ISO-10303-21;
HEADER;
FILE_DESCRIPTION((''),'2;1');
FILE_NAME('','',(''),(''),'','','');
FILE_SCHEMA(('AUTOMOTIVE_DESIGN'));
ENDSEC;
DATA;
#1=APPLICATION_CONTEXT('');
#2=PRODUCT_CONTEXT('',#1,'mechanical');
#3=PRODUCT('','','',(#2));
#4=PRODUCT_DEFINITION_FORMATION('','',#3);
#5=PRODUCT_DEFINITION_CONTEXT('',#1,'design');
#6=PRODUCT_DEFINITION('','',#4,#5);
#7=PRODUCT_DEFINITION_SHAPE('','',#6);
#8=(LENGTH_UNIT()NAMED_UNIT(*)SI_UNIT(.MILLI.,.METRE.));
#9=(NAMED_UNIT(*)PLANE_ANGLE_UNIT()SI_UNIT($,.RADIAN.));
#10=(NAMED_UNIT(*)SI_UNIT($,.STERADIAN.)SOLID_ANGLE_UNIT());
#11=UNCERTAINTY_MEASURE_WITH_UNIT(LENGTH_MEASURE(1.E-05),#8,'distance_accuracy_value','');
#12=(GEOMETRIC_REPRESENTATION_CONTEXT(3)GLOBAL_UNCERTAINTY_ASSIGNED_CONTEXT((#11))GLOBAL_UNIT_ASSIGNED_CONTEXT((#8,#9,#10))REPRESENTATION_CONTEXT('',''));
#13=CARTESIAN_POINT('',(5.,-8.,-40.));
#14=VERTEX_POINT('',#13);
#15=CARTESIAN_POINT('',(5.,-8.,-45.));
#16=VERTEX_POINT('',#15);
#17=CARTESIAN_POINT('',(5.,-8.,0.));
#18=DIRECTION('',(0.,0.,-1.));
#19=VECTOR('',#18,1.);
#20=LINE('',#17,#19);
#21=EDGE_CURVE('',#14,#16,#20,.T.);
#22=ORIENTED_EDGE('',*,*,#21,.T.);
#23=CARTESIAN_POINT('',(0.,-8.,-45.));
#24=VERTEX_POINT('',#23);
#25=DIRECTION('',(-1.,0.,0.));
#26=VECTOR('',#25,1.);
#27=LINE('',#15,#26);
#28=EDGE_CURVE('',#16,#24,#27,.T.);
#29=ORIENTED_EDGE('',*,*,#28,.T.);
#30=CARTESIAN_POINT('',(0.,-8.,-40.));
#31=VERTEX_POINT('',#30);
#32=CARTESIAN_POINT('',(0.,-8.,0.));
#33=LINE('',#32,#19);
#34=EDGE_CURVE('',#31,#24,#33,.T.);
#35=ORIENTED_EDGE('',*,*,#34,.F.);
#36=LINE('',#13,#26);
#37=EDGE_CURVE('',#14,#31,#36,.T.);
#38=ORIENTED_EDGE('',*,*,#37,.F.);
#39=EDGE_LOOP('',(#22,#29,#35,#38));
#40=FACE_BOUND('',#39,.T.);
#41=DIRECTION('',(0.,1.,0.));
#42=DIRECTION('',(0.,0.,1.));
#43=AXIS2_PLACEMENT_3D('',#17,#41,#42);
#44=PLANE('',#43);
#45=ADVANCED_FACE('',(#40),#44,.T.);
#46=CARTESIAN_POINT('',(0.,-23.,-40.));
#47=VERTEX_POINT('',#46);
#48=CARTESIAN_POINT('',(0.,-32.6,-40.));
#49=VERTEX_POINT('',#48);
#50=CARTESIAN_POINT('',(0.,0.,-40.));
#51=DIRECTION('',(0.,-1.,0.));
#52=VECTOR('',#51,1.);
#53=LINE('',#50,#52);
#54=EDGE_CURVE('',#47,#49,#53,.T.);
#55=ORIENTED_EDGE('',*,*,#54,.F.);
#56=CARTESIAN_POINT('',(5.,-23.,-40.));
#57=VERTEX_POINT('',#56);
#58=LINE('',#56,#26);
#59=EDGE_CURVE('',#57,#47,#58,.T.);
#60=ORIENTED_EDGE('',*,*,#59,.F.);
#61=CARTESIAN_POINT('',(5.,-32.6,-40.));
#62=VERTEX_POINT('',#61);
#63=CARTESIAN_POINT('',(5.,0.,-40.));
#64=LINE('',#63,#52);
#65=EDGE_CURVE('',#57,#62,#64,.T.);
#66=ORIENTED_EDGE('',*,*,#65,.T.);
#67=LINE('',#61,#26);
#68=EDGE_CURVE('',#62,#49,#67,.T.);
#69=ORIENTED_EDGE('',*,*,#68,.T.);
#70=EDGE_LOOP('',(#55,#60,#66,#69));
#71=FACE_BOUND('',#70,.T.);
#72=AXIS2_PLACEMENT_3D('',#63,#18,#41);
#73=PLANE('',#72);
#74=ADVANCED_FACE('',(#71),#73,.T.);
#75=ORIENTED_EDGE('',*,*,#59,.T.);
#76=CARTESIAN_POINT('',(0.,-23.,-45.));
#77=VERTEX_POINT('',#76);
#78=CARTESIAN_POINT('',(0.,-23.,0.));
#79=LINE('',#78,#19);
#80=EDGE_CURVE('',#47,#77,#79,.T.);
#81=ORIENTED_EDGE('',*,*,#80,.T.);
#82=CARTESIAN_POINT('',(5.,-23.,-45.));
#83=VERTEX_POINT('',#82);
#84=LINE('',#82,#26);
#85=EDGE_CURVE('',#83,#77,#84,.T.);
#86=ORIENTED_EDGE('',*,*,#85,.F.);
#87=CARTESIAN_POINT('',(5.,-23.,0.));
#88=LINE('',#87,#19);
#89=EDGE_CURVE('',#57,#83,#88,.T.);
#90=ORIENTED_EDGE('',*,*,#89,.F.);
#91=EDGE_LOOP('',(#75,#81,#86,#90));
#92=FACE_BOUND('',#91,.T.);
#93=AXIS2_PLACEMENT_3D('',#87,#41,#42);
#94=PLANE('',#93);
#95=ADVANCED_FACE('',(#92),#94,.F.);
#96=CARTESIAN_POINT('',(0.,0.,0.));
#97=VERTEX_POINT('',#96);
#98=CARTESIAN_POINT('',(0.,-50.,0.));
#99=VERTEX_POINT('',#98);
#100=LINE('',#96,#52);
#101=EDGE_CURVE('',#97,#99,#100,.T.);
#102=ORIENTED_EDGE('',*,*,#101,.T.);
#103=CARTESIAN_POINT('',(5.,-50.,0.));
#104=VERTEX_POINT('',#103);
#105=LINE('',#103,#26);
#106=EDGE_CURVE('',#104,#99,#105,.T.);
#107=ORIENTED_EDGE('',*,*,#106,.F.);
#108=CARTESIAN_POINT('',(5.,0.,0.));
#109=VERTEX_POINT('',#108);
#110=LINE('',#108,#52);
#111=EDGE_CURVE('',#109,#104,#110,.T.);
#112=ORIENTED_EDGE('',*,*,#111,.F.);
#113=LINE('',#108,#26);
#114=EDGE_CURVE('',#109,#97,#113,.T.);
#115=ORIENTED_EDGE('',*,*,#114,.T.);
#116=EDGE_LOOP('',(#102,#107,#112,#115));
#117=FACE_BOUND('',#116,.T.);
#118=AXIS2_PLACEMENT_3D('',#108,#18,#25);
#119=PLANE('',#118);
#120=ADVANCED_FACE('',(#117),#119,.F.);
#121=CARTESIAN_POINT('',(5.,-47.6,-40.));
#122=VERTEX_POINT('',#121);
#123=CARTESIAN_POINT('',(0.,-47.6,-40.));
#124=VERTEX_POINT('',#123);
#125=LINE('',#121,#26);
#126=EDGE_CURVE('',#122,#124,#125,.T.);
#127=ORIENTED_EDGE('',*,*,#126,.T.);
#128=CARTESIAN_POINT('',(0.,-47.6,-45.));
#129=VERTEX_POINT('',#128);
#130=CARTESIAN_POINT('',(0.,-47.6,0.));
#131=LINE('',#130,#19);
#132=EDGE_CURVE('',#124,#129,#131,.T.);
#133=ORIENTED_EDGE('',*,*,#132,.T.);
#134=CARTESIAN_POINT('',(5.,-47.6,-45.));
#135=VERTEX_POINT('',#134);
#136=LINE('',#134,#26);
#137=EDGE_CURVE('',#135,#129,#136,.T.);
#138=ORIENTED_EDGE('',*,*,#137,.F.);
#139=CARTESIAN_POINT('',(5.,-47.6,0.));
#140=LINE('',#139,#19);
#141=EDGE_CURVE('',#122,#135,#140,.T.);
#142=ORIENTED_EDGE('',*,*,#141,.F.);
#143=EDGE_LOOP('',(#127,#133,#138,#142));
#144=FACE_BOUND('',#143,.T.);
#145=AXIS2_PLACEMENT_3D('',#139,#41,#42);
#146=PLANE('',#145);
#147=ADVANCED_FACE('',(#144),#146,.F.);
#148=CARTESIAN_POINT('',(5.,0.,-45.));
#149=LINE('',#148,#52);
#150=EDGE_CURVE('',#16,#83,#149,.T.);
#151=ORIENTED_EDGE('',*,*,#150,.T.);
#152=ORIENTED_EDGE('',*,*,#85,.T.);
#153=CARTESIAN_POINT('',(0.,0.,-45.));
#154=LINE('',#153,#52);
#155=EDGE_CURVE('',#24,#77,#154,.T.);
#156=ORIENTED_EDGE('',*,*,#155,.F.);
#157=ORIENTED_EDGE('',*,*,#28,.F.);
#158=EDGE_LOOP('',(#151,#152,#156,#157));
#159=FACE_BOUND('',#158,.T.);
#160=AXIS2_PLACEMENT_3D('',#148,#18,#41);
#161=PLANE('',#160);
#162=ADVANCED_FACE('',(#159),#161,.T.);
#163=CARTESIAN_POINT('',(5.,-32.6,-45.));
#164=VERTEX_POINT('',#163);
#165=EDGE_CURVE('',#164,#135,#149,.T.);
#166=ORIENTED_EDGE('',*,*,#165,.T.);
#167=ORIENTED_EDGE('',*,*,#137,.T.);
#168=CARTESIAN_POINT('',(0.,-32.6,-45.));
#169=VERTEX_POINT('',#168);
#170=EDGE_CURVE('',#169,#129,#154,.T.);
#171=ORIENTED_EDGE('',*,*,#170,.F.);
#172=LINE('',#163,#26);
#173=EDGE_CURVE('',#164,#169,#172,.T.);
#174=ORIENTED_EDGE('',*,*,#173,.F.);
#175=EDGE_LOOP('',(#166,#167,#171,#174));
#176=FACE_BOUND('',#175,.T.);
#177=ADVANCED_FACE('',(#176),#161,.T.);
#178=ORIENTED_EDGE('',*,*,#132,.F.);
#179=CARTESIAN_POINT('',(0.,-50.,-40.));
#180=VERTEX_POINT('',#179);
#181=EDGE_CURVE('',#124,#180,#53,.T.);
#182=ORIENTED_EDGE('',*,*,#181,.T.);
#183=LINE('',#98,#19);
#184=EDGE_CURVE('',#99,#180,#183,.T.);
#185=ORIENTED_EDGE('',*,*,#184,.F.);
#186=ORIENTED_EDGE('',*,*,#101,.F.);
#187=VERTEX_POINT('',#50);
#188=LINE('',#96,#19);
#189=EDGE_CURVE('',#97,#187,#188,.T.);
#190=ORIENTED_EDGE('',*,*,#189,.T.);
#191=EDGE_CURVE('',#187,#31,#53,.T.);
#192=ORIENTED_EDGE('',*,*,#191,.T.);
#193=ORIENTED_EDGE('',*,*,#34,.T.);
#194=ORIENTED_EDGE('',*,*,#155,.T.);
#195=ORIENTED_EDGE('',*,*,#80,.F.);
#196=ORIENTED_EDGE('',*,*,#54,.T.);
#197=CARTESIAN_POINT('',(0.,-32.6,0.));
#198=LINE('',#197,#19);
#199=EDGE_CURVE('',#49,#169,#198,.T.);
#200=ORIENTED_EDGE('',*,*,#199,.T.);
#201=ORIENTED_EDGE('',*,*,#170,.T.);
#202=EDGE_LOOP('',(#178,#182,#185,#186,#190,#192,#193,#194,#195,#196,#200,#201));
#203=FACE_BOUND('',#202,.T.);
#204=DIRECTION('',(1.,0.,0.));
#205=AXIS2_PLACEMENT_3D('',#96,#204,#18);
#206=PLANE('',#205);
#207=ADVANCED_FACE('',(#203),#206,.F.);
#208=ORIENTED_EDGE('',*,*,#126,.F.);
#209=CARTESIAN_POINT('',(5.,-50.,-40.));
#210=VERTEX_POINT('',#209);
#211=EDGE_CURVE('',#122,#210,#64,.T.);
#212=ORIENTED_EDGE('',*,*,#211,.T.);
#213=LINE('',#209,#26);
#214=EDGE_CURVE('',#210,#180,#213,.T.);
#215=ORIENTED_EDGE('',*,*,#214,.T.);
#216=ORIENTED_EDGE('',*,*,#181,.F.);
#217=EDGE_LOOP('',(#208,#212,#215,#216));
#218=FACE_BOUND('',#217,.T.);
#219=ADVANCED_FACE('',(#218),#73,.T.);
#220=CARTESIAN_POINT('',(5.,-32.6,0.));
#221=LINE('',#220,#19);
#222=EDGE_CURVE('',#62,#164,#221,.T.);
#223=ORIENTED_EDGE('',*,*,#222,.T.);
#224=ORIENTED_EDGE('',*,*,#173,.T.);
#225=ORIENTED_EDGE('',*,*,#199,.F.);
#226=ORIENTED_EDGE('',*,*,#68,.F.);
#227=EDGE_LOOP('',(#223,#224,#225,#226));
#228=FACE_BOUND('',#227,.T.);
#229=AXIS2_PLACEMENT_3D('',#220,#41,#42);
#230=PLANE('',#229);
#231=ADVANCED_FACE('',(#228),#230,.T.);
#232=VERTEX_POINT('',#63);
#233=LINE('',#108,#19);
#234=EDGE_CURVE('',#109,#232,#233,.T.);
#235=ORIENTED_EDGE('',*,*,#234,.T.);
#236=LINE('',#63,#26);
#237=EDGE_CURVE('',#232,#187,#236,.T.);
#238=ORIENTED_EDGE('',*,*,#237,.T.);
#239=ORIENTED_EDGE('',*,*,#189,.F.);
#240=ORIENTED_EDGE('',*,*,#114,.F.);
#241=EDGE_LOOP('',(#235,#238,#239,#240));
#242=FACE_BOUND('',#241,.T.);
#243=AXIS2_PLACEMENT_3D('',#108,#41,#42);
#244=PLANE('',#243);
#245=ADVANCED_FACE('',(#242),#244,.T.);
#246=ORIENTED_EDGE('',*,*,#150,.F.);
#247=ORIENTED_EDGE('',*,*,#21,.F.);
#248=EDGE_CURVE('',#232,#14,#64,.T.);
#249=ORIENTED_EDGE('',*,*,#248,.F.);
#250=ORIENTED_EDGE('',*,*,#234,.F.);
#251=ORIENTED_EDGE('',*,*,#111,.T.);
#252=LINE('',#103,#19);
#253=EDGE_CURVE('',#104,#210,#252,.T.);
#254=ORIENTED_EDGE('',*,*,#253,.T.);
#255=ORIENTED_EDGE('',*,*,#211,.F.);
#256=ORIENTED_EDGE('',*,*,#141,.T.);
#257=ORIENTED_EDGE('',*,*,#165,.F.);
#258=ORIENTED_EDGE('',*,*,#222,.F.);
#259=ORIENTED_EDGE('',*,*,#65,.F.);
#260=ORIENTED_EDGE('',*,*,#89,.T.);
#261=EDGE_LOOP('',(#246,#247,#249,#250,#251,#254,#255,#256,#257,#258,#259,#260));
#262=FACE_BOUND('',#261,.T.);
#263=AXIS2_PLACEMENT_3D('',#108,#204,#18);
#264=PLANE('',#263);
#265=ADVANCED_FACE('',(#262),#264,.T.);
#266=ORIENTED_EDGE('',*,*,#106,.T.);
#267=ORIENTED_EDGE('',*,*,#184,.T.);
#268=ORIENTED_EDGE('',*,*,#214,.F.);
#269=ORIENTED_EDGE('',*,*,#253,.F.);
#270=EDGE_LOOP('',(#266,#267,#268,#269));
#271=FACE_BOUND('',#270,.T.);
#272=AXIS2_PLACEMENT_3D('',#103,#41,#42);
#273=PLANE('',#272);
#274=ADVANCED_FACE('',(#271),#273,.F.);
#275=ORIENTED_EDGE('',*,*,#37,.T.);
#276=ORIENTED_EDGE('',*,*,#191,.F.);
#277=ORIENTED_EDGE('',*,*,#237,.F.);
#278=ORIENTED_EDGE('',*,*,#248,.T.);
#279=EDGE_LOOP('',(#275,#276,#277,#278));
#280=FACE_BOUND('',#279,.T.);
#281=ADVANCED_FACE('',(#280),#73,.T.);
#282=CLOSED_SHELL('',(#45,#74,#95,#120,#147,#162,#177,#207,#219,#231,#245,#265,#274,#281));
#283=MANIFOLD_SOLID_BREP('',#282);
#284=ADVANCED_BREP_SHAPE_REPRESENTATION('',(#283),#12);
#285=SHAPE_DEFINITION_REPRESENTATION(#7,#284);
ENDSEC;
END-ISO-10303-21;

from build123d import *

# Parameters (mm, degrees)
SKETCH_1_W      = 40
SKETCH_1_H      = 50
SKETCH_1_W_2    = 5
SKETCH_1_H_2    = 15
EXTRUDE_1_DEPTH = 5


with BuildPart() as part:
    # 草图1 → 凸台-拉伸1 (new body)
    with BuildSketch(Plane(origin=(0, 0, 0), x_dir=(0, 0, -1), z_dir=(1, 0, 0))):
        with Locations((20, -25)):
            Rectangle(SKETCH_1_W, SKETCH_1_H)
        with Locations((42.5, -15.5)):
            Rectangle(SKETCH_1_W_2, SKETCH_1_H_2)
        with Locations((42.5, -40.1)):
            Rectangle(SKETCH_1_W_2, SKETCH_1_H_2)
    extrude(amount=EXTRUDE_1_DEPTH)


solid = part.part
